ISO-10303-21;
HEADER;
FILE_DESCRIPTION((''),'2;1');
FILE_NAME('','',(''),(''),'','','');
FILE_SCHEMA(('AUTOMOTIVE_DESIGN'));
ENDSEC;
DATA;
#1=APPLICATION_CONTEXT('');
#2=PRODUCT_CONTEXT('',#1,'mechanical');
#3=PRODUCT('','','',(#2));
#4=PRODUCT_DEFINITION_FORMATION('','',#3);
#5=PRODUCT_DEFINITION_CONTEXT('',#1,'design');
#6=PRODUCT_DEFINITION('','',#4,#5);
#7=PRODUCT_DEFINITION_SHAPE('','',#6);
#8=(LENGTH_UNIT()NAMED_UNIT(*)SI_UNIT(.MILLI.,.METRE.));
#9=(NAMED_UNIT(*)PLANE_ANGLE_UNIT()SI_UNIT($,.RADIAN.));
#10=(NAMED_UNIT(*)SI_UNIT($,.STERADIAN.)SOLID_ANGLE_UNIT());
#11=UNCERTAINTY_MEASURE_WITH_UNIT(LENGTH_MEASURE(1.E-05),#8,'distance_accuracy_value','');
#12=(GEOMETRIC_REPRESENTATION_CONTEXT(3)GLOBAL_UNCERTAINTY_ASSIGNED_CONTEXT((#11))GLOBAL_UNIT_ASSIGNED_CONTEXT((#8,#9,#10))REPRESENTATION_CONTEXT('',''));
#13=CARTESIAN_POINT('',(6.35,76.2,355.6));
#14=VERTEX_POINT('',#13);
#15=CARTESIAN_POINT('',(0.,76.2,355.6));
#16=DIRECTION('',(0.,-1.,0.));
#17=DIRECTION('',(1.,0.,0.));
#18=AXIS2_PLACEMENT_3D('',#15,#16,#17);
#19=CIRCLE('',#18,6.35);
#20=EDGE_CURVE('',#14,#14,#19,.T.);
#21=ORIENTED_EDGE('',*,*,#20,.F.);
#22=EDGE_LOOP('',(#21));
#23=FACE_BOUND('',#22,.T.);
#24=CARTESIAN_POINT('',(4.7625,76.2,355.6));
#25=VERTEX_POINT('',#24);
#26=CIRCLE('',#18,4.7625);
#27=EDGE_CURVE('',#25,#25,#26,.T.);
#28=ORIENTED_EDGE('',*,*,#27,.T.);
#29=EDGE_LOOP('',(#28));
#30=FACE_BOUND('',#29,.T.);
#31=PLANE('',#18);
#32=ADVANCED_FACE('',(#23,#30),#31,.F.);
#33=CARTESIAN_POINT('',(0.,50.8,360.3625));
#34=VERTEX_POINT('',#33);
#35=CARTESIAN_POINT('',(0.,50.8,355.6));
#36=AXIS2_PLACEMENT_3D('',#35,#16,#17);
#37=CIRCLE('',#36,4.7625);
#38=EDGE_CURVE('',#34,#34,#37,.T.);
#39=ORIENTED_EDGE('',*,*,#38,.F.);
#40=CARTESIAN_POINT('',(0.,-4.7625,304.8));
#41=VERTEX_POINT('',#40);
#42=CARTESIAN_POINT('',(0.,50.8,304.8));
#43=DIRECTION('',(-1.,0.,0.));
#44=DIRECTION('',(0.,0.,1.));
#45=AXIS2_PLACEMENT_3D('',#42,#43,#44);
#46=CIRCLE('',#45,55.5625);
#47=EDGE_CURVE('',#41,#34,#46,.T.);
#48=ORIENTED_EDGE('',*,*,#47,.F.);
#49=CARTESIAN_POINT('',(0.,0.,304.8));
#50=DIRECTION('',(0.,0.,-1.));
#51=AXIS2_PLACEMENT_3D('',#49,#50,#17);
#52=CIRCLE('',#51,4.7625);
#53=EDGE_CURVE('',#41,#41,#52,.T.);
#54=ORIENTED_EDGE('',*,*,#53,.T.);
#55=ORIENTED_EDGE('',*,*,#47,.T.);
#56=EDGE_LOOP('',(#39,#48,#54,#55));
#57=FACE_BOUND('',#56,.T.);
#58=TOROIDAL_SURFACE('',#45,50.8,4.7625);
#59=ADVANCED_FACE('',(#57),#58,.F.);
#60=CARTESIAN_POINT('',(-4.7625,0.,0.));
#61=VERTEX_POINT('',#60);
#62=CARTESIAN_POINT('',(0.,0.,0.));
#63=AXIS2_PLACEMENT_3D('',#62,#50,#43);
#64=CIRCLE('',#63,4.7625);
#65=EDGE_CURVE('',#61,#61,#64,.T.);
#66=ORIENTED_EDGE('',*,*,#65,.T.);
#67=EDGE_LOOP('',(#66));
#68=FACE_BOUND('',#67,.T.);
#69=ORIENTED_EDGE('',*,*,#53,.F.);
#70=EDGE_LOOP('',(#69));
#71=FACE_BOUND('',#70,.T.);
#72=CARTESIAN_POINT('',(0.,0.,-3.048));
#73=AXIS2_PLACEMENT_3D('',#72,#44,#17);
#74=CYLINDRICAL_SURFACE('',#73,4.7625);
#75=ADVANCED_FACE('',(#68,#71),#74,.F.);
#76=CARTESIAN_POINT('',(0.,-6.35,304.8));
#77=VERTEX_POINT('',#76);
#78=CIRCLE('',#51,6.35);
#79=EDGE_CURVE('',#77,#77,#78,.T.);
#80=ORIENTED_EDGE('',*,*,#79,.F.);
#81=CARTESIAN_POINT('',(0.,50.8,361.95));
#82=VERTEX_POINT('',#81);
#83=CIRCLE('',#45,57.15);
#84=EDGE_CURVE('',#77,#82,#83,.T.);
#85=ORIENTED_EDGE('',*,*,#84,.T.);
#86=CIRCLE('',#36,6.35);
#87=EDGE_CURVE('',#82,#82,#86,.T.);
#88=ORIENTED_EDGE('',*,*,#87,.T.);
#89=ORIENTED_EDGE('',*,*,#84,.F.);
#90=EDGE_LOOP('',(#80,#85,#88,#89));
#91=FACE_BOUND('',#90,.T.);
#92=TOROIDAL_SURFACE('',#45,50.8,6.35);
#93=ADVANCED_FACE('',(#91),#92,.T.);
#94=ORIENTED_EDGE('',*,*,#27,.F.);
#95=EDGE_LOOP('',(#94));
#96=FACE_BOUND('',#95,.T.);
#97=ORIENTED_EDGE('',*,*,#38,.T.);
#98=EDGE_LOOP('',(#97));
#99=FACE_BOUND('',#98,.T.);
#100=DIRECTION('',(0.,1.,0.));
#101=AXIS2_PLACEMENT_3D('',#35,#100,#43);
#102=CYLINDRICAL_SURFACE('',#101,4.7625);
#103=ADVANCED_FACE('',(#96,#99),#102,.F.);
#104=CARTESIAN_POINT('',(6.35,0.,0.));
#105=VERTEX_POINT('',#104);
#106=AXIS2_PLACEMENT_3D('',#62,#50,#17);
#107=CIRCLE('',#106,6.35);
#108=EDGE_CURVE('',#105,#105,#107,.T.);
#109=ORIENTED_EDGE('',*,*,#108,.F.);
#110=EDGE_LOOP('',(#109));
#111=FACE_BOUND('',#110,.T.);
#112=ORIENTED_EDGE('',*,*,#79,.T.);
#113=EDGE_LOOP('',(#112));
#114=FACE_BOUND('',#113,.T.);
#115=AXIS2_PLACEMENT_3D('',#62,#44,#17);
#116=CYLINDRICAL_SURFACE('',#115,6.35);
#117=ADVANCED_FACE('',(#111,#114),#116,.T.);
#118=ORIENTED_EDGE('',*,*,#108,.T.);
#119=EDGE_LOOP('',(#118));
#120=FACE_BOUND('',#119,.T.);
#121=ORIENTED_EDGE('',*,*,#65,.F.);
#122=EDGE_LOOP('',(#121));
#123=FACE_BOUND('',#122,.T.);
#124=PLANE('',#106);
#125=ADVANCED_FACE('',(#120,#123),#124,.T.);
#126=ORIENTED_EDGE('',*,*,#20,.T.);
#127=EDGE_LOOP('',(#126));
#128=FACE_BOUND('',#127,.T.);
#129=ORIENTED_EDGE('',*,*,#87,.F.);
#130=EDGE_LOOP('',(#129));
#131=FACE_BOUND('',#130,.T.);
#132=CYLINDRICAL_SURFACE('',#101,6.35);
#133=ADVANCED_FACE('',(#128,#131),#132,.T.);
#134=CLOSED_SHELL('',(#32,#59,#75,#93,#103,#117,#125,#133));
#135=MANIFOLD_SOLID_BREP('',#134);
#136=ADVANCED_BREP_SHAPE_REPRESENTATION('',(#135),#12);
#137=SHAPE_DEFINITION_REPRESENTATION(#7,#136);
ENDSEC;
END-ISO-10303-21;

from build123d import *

# Parameters (mm, degrees)
SWEEP1_PROFILE_R     = 6.35
CUT_SWEEP1_PROFILE_R = 4.7625


with BuildPart() as part:
    # Sweep1: sweep along a curve in space
    with BuildLine() as sweep1_path:
        Line((0, 0, 0), (0, 0, 304.8))
        ThreePointArc((0, 0, 304.8), (0, 14.878975516, 340.721024484), (0, 50.8, 355.6))
        Line((0, 50.8, 355.6), (0, 76.2, 355.6))
    # Sweep1 profile (on start of the path) → Sweep1 (sweep)
    with BuildSketch(Plane.XY):
        Circle(SWEEP1_PROFILE_R)
    sweep(path=sweep1_path.line)

    # Cut-Sweep1: sweep along a curve in space
    with BuildLine() as cut_sweep1_path:
        Line((0, 0, 0), (0, 0, 304.8))
        ThreePointArc((0, 0, 304.8), (0, 14.878975516, 340.721024484), (0, 50.8, 355.6))
        Line((0, 50.8, 355.6), (0, 76.2, 355.6))
    # Cut-Sweep1 profile (on start of the path) → Cut-Sweep1 (sweep, cut)
    with BuildSketch(Plane.XY):
        Circle(CUT_SWEEP1_PROFILE_R)
    sweep(path=cut_sweep1_path.line, mode=Mode.SUBTRACT)


solid = part.part
